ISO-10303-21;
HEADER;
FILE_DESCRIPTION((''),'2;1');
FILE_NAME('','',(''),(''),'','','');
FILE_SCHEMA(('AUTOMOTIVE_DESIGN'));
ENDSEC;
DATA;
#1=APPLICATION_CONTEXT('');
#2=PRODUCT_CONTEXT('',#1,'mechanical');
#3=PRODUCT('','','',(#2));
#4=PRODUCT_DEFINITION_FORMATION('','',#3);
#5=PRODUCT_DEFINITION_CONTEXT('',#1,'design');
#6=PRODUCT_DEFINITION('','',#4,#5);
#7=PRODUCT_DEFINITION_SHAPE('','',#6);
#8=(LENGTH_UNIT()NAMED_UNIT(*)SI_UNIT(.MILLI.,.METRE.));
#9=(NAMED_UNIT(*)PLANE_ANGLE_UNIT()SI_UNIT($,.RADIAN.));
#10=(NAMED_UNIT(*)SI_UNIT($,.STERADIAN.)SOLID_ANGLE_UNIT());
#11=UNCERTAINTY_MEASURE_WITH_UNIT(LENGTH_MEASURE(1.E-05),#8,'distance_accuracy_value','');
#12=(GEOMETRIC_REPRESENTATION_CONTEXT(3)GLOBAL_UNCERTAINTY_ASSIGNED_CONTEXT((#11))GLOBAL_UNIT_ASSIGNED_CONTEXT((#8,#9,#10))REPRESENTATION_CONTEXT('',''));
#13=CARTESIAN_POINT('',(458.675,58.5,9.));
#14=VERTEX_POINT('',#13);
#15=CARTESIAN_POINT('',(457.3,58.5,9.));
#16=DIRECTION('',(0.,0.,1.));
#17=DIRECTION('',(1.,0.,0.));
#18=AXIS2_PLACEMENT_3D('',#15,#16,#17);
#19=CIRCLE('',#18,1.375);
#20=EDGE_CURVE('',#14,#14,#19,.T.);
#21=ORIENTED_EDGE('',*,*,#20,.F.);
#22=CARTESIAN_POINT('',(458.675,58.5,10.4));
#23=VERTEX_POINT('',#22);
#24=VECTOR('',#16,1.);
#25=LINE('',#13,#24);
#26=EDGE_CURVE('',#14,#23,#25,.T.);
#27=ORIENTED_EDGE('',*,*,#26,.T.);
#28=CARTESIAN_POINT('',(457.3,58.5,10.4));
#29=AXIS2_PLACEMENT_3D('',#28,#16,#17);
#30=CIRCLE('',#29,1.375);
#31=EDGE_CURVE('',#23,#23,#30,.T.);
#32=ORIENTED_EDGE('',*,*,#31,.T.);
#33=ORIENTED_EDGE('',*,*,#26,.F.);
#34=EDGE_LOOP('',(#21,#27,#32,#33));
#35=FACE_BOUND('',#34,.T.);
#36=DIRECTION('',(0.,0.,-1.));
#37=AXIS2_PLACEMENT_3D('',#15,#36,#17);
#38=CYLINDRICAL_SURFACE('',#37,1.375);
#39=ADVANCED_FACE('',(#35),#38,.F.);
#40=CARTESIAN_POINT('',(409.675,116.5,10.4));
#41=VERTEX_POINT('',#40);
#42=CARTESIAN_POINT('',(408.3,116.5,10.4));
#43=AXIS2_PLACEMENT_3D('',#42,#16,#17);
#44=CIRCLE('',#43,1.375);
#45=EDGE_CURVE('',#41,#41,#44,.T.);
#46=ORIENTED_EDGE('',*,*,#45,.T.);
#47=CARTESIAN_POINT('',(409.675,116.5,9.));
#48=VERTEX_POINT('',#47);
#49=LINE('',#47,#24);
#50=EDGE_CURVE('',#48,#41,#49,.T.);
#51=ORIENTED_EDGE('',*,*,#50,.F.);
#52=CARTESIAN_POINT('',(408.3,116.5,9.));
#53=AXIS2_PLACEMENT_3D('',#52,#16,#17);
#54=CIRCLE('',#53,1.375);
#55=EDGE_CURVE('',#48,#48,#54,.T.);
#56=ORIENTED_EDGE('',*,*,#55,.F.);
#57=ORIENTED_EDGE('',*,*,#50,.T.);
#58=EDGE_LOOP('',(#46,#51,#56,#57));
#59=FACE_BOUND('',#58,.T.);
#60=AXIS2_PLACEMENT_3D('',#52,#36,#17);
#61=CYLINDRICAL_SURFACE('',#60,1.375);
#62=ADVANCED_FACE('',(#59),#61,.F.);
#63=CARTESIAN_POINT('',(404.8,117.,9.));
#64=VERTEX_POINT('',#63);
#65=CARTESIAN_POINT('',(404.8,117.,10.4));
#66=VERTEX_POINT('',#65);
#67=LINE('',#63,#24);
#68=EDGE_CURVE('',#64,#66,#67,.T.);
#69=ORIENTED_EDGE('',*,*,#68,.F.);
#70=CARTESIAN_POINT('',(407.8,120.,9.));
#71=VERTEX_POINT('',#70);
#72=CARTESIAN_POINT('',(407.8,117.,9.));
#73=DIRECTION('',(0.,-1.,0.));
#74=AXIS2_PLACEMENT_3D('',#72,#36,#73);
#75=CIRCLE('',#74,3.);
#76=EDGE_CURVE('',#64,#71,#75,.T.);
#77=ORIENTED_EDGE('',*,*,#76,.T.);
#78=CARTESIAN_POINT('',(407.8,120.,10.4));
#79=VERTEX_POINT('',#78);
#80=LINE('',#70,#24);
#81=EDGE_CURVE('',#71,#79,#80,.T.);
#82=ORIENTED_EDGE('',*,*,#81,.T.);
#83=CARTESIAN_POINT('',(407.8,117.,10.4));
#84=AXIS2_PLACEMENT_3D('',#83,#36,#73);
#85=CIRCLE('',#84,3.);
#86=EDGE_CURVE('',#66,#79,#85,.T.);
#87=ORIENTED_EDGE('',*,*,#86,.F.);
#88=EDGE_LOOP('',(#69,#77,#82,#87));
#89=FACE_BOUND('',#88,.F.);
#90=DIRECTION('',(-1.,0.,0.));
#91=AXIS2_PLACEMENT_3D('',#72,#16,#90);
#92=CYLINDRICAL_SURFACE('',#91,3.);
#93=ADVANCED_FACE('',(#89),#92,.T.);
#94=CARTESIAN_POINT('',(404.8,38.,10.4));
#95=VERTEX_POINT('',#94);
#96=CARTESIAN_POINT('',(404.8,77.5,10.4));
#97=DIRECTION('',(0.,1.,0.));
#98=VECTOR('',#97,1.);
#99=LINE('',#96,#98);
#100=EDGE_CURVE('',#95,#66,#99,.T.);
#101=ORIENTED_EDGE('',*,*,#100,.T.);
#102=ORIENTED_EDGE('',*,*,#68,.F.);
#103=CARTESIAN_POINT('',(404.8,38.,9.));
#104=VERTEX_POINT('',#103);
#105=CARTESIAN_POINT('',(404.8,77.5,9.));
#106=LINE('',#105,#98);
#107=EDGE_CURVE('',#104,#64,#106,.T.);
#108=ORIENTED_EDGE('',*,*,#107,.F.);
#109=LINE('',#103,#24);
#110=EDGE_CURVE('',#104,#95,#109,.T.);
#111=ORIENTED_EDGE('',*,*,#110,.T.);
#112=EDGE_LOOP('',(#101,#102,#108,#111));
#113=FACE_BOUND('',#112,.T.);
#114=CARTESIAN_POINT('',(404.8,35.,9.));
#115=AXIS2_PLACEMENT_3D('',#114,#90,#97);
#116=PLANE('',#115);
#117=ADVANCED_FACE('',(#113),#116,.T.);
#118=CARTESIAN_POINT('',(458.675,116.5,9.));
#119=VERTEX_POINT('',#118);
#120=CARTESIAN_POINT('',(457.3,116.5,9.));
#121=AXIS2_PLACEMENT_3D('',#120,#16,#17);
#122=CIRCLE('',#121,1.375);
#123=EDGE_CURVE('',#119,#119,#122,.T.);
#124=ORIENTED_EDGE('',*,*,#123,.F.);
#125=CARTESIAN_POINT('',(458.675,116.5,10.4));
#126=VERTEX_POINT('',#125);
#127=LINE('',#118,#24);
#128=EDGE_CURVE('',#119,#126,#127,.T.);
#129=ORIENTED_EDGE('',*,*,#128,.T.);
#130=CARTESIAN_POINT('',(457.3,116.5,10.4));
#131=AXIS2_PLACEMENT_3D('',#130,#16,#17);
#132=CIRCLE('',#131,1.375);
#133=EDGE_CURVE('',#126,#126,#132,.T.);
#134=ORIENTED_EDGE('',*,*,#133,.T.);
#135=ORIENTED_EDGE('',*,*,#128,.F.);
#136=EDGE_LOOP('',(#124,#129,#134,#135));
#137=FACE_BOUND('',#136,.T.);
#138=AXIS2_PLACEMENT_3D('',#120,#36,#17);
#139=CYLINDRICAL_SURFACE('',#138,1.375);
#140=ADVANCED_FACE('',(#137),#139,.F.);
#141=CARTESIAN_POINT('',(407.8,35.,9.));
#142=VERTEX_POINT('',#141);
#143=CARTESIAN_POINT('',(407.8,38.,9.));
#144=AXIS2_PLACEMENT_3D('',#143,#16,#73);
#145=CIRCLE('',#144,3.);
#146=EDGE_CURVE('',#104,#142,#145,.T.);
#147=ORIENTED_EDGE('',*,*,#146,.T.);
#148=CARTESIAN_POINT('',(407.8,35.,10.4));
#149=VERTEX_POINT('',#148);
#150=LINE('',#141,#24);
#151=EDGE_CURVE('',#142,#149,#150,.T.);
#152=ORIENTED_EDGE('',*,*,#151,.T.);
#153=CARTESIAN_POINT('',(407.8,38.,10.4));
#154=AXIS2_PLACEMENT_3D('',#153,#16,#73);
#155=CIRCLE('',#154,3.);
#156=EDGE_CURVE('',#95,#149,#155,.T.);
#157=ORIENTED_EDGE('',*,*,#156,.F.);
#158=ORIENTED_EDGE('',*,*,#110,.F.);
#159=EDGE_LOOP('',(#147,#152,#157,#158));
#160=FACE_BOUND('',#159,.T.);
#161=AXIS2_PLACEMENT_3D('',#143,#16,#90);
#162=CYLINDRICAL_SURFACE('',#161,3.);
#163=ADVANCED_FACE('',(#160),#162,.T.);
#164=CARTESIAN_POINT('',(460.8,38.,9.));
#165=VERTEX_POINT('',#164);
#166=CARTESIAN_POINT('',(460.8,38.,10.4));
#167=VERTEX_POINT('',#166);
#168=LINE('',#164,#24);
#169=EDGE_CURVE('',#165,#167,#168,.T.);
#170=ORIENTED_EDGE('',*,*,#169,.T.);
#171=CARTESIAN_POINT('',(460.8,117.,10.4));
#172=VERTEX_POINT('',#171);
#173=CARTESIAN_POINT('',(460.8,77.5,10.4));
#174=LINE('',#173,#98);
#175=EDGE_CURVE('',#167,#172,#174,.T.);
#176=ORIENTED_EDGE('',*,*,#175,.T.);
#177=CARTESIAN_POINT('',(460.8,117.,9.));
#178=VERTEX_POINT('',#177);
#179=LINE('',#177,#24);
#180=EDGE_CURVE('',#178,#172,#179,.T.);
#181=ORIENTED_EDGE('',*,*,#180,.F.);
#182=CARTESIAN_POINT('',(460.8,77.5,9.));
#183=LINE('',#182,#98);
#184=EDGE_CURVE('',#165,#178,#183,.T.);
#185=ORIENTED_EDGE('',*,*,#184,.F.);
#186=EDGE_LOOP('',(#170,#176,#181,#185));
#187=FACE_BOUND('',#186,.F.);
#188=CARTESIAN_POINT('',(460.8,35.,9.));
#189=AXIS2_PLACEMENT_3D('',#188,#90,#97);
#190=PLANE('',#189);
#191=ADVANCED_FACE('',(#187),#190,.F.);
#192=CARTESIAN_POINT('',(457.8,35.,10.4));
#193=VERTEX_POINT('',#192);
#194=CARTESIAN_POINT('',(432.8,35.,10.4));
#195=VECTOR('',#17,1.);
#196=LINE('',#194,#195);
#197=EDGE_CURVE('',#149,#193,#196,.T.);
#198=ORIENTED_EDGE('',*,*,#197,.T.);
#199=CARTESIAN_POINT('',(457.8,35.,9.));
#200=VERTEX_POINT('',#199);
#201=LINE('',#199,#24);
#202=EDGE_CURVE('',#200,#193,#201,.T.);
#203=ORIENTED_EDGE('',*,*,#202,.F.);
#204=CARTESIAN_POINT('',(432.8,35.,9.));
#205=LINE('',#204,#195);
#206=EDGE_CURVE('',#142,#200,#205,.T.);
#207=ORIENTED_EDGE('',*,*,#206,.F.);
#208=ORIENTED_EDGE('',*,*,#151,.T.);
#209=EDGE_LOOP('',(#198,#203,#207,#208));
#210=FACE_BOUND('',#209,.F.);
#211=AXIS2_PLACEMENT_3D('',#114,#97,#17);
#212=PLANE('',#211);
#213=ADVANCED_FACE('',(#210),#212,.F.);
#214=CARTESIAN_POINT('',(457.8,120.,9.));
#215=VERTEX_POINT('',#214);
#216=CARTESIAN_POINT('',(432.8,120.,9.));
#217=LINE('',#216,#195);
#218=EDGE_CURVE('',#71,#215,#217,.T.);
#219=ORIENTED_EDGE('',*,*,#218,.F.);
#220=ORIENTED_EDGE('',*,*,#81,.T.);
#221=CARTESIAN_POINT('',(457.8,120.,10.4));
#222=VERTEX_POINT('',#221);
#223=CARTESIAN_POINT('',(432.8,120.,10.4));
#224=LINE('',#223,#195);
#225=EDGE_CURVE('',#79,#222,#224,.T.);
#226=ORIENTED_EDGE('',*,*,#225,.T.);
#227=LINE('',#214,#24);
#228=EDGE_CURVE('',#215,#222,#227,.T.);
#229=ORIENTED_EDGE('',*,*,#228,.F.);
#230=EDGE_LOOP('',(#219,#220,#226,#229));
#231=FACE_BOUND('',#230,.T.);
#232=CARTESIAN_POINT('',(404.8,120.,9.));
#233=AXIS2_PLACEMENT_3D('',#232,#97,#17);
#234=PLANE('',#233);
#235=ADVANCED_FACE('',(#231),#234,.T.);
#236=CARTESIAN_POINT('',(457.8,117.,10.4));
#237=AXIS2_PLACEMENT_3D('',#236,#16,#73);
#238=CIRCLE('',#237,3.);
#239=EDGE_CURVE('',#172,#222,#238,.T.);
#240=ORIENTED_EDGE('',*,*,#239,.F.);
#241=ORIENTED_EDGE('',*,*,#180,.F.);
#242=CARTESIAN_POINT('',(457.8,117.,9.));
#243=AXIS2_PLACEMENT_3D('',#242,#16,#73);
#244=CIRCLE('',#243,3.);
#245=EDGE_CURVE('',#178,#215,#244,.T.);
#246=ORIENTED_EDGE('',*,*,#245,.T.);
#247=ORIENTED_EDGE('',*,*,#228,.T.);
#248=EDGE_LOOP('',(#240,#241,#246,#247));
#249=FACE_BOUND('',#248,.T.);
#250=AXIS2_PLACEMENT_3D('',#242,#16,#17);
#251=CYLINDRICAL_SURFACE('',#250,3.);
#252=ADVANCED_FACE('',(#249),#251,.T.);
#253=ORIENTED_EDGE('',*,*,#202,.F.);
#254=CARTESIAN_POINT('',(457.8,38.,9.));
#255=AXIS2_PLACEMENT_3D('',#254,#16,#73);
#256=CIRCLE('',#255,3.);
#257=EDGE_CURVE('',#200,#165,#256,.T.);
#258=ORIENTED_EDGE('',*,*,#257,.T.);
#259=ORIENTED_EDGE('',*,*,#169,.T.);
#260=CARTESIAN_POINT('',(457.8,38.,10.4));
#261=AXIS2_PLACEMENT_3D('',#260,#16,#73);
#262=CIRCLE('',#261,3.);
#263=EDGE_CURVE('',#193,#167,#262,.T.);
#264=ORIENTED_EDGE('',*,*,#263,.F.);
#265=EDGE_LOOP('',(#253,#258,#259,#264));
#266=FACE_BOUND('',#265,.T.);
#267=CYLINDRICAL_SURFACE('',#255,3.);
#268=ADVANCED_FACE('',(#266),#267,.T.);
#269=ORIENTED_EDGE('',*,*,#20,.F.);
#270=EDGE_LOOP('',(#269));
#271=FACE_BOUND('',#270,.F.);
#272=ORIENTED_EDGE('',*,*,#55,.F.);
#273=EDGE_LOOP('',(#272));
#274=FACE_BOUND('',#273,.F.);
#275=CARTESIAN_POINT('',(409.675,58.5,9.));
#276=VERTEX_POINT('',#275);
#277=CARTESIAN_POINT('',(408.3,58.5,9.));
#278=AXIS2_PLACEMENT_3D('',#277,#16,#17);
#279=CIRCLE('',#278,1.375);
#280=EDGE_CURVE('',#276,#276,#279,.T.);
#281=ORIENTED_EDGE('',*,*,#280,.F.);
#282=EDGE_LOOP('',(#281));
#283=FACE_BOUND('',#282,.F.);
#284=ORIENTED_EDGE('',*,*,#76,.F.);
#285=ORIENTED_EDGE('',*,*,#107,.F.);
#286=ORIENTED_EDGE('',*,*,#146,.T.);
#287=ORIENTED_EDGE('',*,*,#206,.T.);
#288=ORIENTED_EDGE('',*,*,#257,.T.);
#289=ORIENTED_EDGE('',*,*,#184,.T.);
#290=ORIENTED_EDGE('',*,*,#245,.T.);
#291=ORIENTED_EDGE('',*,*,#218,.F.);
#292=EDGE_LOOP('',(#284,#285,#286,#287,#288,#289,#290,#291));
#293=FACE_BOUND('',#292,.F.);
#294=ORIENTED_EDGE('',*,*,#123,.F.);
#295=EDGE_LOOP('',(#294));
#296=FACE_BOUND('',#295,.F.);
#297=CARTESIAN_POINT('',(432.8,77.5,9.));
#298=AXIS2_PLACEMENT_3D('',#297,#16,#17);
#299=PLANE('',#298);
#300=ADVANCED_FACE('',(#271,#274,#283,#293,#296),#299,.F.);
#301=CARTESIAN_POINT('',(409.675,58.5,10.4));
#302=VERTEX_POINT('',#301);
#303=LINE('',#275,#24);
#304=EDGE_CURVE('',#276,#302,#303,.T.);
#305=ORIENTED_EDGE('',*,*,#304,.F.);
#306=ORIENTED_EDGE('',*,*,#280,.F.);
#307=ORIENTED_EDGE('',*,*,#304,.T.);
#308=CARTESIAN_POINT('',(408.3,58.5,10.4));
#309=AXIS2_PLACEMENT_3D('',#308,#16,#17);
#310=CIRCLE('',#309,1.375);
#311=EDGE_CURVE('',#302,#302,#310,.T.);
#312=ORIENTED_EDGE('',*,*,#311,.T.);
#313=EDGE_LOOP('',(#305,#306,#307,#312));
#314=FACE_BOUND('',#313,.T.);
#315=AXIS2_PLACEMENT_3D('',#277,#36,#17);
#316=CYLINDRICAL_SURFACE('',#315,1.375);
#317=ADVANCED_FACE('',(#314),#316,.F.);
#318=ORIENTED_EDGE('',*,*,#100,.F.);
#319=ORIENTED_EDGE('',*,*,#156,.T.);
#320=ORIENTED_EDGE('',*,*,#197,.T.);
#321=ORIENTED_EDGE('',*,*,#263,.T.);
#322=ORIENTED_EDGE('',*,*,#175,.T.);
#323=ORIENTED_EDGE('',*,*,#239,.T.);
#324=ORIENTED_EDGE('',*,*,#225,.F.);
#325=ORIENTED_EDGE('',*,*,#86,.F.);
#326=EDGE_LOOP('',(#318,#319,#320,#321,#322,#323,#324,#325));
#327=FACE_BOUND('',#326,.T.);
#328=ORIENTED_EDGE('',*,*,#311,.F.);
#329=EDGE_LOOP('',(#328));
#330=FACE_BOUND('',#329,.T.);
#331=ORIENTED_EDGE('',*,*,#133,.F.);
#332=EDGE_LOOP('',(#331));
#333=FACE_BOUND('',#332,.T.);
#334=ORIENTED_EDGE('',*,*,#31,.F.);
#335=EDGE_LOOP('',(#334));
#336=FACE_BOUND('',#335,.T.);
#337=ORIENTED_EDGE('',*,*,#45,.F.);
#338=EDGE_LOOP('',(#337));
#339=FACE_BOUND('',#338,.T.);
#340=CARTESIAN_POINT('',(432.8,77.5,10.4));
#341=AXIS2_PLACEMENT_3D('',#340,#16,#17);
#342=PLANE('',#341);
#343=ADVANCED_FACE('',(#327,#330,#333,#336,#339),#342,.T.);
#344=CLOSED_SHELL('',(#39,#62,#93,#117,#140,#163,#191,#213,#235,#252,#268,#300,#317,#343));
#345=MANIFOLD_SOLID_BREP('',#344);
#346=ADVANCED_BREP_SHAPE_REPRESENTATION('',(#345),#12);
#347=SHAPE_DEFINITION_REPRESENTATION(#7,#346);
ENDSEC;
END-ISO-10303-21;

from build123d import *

# Parameters (mm, degrees)
CYLINDER011_R     = 1.375
CYLINDER011_DEPTH = 1.4
CYLINDER012_R     = 1.375
CYLINDER012_DEPTH = 1.4
CYLINDER013_R     = 1.375
CYLINDER013_DEPTH = 1.4
CYLINDER010_R     = 1.375
CYLINDER010_DEPTH = 1.4
BOX006_W          = 56
BOX006_H          = 85
BOX006_DEPTH      = 1.4
FILLET002_R       = 3


with BuildPart() as cylinder011:
    # Cylinder011 → Cylinder011 (new body)
    with BuildSketch(Plane(origin=(52.5, 81.5, 9), x_dir=(1, 0, 0), z_dir=(0, 0, 1))):
        Circle(CYLINDER011_R)
    extrude(amount=CYLINDER011_DEPTH)


with BuildPart() as cylinder012:
    # Cylinder012 → Cylinder012 (new body)
    with BuildSketch(Plane(origin=(52.5, 23.5, 9), x_dir=(1, 0, 0), z_dir=(0, 0, 1))):
        Circle(CYLINDER012_R)
    extrude(amount=CYLINDER012_DEPTH)


with BuildPart() as cylinder013:
    # Cylinder013 → Cylinder013 (new body)
    with BuildSketch(Plane(origin=(3.5, 23.5, 9), x_dir=(1, 0, 0), z_dir=(0, 0, 1))):
        Circle(CYLINDER013_R)
    extrude(amount=CYLINDER013_DEPTH)


with BuildPart() as pi_board_holes:
    # Cylinder010 → Cylinder010 (new body)
    with BuildSketch(Plane(origin=(3.5, 81.5, 9), x_dir=(1, 0, 0), z_dir=(0, 0, 1))):
        Circle(CYLINDER010_R)
    extrude(amount=CYLINDER010_DEPTH)

    # Fusion003: union Cylinder011, Cylinder012, Cylinder013
    add(cylinder011.part)
    add(cylinder012.part)
    add(cylinder013.part)


with BuildPart() as pi_base_board:
    # Box006 → Box006 (new body)
    with BuildSketch(Plane.XY.offset(9)):
        with Locations((28, 42.5)):
            Rectangle(BOX006_W, BOX006_H)
    extrude(amount=BOX006_DEPTH)

    # Fillet002
    fillet002_edges = [pi_base_board.edges().sort_by_distance(p)[0] for p in [
        (0, 0, 9.7),
        (0, 85, 9.7),
        (56, 0, 9.7),
        (56, 85, 9.7),
    ]]
    fillet(fillet002_edges, radius=FILLET002_R)

    # Cut002: cut Pi Board Holes
    add(pi_board_holes.part, mode=Mode.SUBTRACT)


with BuildPart() as pi_base_board_1:
    # Cut002 placement: moved
    add(pi_base_board.part.moved(Location((404.8, 35, 0))))


solid = pi_base_board_1.part
